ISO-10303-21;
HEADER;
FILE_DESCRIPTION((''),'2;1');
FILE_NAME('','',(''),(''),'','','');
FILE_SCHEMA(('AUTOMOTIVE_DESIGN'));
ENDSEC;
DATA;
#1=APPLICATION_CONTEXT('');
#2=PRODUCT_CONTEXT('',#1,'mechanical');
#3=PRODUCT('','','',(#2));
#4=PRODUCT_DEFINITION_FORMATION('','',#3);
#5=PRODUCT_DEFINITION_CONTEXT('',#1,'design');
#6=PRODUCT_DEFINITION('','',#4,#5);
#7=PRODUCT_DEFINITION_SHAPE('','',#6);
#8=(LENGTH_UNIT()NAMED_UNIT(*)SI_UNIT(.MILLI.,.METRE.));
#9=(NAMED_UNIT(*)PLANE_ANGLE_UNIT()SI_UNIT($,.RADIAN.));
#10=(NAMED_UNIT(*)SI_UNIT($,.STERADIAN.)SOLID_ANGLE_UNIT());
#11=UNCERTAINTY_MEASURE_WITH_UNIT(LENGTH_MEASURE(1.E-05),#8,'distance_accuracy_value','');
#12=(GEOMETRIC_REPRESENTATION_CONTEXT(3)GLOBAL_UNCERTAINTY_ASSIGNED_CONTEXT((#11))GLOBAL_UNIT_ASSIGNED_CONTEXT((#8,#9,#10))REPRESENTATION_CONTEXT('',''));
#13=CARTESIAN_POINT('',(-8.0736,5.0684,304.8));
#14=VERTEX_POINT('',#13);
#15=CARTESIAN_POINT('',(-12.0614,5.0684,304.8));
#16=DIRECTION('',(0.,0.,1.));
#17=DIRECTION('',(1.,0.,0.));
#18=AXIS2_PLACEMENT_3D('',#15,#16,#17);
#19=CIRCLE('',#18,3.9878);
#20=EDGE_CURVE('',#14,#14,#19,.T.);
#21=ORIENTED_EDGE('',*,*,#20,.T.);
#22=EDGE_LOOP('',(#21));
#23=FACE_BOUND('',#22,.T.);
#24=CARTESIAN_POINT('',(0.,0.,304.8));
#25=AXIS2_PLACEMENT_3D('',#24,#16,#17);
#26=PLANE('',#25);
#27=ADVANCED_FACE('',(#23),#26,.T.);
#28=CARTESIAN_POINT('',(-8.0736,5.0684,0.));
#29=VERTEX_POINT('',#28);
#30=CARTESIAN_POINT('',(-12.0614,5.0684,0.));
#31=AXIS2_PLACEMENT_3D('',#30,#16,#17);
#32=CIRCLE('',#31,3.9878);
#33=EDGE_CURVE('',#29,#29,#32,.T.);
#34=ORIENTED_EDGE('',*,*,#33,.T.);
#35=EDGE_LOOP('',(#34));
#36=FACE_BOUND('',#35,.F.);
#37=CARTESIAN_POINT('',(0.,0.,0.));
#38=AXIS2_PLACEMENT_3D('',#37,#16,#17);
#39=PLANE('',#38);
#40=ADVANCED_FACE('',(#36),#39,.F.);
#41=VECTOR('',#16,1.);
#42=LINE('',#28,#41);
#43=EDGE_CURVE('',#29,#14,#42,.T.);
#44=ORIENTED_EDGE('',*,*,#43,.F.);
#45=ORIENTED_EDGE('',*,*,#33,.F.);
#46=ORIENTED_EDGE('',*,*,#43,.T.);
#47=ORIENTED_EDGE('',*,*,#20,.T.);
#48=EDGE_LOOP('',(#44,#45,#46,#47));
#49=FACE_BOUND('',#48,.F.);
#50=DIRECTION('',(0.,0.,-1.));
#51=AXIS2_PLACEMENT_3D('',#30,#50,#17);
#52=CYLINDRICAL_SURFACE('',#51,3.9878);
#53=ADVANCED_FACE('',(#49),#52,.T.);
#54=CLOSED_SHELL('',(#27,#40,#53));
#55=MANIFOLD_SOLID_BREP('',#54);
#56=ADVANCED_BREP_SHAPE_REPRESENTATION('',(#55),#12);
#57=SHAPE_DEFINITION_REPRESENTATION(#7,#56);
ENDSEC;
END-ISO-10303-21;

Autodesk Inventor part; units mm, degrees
ref_plane "YZ Plane" through (0, 0, 0) normal (1, 0, 0) x (0, 1, 0)
ref_plane "XZ Plane" through (0, 0, 0) normal (0, 1, 0) x (-1, 0, 0)
ref_plane "XY Plane" through (0, 0, 0) normal (0, 0, 1) x (1, 0, 0)
sketch "Sketch1" plane through (0, 0, 0) normal (0, 0, 1) x (1, 0, 0)
  circle A0 centre (-12.0614, 5.0684) radius 3.9878
  point P0 (0, 0)
  dimension "d0" = 7.9756
  dimension "d0" = 7.9756
extrude "Extrusion1" add sketch "Sketch1" along normal blind 304.8
properties part number "Rod"
